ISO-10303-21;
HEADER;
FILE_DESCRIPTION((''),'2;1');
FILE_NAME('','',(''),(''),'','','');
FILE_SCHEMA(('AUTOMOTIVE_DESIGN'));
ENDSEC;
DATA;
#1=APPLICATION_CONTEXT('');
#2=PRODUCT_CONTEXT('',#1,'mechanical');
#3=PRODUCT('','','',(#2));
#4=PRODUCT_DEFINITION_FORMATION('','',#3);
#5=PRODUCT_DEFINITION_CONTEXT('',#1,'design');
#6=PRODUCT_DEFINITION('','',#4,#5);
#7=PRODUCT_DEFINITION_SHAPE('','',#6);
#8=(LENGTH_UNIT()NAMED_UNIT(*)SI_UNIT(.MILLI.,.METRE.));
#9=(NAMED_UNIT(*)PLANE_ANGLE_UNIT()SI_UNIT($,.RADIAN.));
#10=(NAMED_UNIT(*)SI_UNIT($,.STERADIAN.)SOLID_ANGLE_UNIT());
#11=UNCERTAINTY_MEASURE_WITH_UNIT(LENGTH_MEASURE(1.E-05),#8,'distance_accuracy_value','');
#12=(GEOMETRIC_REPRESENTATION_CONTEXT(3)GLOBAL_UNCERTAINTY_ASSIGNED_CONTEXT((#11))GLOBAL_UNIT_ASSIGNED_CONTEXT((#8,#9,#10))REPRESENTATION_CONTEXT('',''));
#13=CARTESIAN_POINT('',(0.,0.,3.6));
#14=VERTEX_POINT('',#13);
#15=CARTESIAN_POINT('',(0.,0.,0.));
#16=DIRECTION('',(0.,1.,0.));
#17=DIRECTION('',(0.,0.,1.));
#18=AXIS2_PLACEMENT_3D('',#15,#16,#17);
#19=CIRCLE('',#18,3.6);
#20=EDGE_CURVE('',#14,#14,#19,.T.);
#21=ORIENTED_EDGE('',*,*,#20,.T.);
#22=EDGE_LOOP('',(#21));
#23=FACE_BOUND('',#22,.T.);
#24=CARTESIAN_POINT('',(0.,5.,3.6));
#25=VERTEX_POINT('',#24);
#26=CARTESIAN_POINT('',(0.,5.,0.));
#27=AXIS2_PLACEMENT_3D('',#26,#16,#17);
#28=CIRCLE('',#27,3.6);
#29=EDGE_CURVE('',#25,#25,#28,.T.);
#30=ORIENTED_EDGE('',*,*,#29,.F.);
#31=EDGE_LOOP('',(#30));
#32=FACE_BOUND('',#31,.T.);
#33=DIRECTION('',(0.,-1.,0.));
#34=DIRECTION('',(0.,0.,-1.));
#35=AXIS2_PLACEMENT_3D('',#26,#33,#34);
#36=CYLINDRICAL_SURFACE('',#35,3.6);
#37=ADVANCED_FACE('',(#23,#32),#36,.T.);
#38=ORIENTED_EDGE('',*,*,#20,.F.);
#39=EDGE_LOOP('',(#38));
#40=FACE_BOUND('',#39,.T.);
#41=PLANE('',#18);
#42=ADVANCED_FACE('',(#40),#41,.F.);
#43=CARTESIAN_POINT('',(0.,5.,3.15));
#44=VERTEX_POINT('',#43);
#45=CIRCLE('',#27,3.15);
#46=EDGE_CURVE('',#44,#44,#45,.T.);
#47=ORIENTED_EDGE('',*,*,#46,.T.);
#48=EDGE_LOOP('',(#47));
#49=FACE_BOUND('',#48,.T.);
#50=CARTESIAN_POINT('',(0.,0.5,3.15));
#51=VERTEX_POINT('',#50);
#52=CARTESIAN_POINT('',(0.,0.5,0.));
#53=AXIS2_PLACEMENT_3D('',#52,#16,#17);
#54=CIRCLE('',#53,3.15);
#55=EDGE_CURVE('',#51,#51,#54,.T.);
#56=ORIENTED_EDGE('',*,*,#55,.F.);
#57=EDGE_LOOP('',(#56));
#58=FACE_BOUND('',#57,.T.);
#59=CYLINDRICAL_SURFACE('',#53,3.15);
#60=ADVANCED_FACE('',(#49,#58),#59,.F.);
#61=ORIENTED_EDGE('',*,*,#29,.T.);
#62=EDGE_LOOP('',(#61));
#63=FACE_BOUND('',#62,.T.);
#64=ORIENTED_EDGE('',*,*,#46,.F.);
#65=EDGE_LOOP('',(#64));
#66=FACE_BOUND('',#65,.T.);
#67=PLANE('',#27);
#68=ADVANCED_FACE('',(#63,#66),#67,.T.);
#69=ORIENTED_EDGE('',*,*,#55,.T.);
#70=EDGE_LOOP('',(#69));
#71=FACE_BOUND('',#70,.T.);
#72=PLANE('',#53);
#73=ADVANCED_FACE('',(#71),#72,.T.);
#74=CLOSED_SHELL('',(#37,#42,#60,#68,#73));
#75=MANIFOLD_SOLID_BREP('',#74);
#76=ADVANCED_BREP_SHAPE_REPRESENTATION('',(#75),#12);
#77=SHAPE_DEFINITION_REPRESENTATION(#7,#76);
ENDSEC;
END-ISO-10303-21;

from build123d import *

# Parameters (mm, degrees)
SKETCH1_R           = 3.6
BOSS_EXTRUDE1_DEPTH = 5
SKETCH2_R           = 3.15
CUT_EXTRUDE1_DEPTH  = 4.5


with BuildPart() as part:
    # Sketch1 → Boss-Extrude1 (new body)
    with BuildSketch(Plane(origin=(0, 0, 0), x_dir=(1, 0, 0), z_dir=(0, 1, 0))):
        with Locations(Location((0, 0, 0), (0, 0, 270))):
            Circle(SKETCH1_R)
    extrude(amount=BOSS_EXTRUDE1_DEPTH)

    # Sketch2 → Cut-Extrude1 (cut)
    with BuildSketch(Plane(origin=(0, 5, 0), x_dir=(1, 0, 0), z_dir=(0, 1, 0))):
        with Locations(Location((0, 0, 0), (0, 0, 270))):
            Circle(SKETCH2_R)
    extrude(amount=-CUT_EXTRUDE1_DEPTH, mode=Mode.SUBTRACT)


solid = part.part
